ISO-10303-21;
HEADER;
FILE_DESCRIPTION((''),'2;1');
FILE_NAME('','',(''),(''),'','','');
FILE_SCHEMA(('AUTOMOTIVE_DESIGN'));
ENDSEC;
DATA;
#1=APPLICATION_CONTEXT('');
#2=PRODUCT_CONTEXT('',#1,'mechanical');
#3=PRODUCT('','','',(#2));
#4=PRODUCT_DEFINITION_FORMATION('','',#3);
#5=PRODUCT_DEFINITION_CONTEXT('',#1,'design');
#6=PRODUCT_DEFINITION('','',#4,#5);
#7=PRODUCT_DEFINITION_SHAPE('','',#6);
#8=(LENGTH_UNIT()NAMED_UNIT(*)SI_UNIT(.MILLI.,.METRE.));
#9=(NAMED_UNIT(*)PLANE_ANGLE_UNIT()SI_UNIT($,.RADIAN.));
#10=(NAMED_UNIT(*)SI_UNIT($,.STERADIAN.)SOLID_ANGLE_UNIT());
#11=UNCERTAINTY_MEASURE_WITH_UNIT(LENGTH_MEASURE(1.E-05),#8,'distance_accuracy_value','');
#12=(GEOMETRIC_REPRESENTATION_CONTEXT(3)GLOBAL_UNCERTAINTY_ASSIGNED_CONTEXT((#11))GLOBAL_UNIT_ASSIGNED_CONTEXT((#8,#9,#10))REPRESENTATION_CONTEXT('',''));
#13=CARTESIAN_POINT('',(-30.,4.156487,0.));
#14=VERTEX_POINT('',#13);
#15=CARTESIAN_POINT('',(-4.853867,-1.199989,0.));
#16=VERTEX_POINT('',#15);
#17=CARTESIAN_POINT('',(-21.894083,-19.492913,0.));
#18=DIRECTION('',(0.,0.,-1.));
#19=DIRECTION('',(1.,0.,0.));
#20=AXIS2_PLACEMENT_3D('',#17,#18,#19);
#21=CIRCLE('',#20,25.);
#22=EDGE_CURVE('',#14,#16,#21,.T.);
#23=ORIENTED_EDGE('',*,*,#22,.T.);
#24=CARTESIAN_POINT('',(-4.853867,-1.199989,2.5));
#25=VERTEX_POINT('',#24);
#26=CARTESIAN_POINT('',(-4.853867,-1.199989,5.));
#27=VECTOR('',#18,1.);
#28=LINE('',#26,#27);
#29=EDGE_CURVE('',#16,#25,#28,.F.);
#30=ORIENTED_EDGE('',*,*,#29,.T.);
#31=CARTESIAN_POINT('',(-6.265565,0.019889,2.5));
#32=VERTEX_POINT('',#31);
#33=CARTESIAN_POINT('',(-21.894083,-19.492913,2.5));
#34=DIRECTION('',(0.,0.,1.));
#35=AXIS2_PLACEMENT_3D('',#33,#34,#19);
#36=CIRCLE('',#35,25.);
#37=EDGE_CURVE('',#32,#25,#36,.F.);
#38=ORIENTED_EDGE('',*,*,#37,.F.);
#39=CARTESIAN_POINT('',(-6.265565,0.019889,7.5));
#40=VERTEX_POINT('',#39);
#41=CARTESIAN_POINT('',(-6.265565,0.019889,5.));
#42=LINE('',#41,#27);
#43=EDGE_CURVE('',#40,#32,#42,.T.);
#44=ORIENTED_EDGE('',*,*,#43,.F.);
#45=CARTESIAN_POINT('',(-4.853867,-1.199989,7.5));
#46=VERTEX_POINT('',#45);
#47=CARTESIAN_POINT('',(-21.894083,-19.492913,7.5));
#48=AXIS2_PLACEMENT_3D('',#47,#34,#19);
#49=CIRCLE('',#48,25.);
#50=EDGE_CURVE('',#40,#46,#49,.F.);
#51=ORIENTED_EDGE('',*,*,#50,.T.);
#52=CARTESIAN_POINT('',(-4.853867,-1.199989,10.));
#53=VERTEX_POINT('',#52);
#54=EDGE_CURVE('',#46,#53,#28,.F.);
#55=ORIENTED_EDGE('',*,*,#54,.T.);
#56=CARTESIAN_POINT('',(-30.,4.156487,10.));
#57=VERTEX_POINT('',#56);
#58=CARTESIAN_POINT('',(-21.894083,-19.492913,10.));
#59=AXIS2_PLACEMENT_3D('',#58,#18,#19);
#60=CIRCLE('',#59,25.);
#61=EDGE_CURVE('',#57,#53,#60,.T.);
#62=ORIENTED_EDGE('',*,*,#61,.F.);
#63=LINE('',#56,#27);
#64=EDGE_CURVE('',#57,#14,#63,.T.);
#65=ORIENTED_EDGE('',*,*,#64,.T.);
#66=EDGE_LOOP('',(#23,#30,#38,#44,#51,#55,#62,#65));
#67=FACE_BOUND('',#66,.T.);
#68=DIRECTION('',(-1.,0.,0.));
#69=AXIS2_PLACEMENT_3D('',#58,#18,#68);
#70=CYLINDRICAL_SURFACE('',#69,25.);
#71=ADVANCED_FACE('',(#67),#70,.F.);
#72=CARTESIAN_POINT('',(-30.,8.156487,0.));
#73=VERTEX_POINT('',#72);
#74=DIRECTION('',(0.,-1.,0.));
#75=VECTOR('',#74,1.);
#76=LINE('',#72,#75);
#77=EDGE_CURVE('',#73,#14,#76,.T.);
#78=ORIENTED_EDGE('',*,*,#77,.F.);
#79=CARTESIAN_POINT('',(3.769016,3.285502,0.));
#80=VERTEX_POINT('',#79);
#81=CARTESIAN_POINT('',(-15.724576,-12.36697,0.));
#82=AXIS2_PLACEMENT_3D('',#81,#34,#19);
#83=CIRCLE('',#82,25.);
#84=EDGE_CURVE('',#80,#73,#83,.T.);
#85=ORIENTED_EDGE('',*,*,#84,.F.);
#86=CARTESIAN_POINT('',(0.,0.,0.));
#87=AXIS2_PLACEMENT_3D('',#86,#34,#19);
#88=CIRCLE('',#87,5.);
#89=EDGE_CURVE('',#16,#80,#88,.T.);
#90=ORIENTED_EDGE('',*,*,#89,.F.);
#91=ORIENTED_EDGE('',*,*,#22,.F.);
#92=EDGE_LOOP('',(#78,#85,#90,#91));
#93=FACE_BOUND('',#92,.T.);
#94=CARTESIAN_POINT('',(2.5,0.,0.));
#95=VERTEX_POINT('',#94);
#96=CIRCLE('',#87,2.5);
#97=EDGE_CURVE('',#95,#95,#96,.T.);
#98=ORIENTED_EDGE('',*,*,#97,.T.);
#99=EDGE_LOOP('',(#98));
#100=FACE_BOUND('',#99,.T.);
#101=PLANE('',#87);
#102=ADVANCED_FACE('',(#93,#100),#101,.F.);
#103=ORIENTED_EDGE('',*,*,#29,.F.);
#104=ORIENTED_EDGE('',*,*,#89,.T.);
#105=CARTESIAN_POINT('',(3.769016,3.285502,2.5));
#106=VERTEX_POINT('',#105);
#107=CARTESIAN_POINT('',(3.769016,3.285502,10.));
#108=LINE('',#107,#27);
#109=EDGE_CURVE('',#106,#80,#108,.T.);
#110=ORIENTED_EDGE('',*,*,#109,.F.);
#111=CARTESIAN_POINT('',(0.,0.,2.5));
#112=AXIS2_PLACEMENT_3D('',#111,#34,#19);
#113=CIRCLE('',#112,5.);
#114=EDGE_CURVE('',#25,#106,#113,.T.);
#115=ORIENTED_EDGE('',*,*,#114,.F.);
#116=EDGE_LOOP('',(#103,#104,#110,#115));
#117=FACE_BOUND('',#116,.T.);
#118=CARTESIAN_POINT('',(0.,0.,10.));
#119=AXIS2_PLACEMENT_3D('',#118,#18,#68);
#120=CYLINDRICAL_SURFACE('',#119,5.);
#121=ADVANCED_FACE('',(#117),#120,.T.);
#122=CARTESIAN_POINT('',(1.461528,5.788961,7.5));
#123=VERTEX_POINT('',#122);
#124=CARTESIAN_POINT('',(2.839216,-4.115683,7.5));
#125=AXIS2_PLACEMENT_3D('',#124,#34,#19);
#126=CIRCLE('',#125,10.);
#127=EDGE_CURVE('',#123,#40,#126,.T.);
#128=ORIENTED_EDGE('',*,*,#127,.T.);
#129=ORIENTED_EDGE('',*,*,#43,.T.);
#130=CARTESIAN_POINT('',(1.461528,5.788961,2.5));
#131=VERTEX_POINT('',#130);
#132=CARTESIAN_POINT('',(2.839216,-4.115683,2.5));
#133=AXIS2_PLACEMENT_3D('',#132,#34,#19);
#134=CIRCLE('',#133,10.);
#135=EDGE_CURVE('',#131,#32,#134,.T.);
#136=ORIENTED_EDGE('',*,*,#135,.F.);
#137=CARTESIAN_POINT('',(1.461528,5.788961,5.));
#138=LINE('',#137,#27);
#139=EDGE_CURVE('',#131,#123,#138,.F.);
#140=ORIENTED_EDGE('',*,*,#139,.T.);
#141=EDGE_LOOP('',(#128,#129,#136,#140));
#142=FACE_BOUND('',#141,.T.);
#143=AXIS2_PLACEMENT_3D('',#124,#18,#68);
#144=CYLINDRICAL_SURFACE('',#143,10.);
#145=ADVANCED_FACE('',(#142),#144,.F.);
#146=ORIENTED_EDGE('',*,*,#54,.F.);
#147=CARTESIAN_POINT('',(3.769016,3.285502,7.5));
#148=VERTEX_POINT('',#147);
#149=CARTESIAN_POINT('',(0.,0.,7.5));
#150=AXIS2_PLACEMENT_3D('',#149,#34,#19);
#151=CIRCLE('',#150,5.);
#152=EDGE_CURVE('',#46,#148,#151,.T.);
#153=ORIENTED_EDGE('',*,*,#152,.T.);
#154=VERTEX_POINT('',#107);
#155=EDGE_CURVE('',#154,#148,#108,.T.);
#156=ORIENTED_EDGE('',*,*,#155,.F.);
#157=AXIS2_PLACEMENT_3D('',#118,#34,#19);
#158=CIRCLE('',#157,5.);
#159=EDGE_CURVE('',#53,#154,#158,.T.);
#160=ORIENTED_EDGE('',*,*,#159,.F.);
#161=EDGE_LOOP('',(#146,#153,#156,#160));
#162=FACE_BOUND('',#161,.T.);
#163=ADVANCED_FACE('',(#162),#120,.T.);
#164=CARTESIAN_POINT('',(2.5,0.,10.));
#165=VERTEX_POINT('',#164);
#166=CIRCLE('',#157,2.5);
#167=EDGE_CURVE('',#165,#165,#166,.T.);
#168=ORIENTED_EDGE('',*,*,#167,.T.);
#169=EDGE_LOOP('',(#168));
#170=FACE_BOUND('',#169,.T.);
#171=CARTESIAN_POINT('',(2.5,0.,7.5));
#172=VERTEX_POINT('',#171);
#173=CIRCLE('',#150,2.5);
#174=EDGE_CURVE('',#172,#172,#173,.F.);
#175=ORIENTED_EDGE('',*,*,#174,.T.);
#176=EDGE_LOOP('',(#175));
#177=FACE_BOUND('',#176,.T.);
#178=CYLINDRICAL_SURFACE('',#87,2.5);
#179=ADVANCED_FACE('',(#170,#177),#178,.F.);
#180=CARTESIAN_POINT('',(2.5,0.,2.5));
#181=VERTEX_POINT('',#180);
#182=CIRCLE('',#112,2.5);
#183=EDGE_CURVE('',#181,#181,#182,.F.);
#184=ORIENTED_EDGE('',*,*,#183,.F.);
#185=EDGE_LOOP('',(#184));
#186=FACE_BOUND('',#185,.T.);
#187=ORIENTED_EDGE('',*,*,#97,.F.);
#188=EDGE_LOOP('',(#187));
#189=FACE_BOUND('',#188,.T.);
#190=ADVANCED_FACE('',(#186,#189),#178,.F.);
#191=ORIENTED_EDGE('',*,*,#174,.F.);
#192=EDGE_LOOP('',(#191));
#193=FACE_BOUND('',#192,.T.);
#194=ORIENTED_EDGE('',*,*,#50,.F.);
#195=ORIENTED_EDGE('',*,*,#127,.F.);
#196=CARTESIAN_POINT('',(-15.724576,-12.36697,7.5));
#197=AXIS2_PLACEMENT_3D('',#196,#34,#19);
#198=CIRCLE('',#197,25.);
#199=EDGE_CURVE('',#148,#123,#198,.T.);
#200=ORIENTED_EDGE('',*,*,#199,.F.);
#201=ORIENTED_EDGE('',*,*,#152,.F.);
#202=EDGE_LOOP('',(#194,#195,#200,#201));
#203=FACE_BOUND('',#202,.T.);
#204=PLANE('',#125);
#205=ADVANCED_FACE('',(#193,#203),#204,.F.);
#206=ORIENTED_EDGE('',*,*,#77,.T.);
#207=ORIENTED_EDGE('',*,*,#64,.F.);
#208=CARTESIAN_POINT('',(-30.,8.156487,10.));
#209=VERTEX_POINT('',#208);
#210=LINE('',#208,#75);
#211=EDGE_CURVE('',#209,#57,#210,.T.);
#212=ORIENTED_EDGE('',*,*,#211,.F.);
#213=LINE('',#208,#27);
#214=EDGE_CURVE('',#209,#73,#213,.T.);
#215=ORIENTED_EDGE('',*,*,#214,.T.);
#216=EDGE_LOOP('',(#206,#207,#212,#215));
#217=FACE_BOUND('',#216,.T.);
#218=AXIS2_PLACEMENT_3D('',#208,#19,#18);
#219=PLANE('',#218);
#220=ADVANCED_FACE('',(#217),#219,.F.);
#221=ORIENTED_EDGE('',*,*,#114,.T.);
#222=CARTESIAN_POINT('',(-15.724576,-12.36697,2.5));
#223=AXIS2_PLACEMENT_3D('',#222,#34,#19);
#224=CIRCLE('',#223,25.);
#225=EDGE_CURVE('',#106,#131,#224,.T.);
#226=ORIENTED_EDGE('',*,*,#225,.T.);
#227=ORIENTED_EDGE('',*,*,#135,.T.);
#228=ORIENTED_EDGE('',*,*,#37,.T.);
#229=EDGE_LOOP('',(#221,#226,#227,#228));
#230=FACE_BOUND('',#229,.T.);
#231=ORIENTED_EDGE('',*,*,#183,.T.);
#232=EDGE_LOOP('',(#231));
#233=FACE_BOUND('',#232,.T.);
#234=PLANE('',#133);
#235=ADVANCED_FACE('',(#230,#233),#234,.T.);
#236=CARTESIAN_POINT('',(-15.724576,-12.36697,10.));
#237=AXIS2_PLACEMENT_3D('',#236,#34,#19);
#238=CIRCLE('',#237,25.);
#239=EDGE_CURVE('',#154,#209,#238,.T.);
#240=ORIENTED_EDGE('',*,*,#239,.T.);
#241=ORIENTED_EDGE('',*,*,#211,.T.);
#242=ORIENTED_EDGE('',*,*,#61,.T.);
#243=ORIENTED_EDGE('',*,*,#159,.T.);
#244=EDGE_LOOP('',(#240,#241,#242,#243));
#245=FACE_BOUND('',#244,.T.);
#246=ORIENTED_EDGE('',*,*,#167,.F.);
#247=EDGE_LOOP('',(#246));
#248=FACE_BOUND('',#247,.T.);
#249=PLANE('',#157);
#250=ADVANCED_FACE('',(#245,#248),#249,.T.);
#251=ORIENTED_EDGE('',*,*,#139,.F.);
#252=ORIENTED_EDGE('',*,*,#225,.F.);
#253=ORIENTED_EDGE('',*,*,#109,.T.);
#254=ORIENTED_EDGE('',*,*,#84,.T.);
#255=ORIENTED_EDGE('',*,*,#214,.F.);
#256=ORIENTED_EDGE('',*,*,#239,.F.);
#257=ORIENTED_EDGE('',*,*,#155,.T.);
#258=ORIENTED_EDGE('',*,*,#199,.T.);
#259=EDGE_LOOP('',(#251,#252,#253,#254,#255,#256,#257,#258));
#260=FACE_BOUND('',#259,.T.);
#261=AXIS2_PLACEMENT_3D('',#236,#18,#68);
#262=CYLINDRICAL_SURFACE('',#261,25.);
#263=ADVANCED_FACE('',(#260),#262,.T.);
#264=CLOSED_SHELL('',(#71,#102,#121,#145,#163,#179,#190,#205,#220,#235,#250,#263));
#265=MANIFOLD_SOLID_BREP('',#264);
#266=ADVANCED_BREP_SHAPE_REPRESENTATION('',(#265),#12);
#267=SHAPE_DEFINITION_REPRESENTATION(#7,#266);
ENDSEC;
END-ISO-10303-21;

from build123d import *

# Parameters (mm, degrees)
SKETCH1_R               = 5
BOSS_EXTRUDE1_DEPTH     = 10
SKETCH2_R               = 2.5
CUT_EXTRUDE1_DEPTH      = 13.247448714
BOSS_EXTRUDE2_DEPTH     = 10
SKETCH7_R               = 2.5
CUT_EXTRUDE2_DEPTH      = 35.052803759
CUT_EXTRUDE4_DEPTH      = 2.5
CUT_EXTRUDE4_DEPTH_BACK = 2.5
SKETCH15_R              = 10


with BuildPart() as part:
    # Sketch1 → Boss-Extrude1 (new body)
    with BuildSketch(Plane.XY):
        Circle(SKETCH1_R)
    extrude(amount=BOSS_EXTRUDE1_DEPTH)

    # Sketch2 → Cut-Extrude1 (cut, through all)
    with BuildSketch(Plane.XY.offset(10)):
        Circle(SKETCH2_R)
    extrude(amount=-CUT_EXTRUDE1_DEPTH, mode=Mode.SUBTRACT)

    # Sketch6 → Boss-Extrude2 (add)
    with BuildSketch(Plane.XY):
        with BuildLine():
            Line((-30, 8.156486671), (-30, 4.156486671))
            ThreePointArc((-30, 4.156486671), (-16.68023923, 4.957359729), (-4.845860122, -1.207451361))
            Line((-4.845860122, -1.207451361), (3.769015533, 3.285501775))
            ThreePointArc((3.769015533, 3.285501775), (-12.155410699, 12.376939364), (-30, 8.156486671))
        make_face()
    extrude(amount=BOSS_EXTRUDE2_DEPTH)

    # Sketch7 → Cut-Extrude2 (cut, through all)
    with BuildSketch(Plane.XY.offset(10)):
        Circle(SKETCH7_R)
    extrude(amount=-CUT_EXTRUDE2_DEPTH, mode=Mode.SUBTRACT)

    # Sketch15 → Cut-Extrude4 (cut, two sides: drawn at the far end of the back side and taken through both)
    with BuildSketch(Plane.XY.offset(5).offset(-CUT_EXTRUDE4_DEPTH_BACK)):
        with Locations((2.839216425, -4.115683429)):
            Circle(SKETCH15_R)
    extrude(amount=CUT_EXTRUDE4_DEPTH + CUT_EXTRUDE4_DEPTH_BACK, mode=Mode.SUBTRACT)


solid = part.part
